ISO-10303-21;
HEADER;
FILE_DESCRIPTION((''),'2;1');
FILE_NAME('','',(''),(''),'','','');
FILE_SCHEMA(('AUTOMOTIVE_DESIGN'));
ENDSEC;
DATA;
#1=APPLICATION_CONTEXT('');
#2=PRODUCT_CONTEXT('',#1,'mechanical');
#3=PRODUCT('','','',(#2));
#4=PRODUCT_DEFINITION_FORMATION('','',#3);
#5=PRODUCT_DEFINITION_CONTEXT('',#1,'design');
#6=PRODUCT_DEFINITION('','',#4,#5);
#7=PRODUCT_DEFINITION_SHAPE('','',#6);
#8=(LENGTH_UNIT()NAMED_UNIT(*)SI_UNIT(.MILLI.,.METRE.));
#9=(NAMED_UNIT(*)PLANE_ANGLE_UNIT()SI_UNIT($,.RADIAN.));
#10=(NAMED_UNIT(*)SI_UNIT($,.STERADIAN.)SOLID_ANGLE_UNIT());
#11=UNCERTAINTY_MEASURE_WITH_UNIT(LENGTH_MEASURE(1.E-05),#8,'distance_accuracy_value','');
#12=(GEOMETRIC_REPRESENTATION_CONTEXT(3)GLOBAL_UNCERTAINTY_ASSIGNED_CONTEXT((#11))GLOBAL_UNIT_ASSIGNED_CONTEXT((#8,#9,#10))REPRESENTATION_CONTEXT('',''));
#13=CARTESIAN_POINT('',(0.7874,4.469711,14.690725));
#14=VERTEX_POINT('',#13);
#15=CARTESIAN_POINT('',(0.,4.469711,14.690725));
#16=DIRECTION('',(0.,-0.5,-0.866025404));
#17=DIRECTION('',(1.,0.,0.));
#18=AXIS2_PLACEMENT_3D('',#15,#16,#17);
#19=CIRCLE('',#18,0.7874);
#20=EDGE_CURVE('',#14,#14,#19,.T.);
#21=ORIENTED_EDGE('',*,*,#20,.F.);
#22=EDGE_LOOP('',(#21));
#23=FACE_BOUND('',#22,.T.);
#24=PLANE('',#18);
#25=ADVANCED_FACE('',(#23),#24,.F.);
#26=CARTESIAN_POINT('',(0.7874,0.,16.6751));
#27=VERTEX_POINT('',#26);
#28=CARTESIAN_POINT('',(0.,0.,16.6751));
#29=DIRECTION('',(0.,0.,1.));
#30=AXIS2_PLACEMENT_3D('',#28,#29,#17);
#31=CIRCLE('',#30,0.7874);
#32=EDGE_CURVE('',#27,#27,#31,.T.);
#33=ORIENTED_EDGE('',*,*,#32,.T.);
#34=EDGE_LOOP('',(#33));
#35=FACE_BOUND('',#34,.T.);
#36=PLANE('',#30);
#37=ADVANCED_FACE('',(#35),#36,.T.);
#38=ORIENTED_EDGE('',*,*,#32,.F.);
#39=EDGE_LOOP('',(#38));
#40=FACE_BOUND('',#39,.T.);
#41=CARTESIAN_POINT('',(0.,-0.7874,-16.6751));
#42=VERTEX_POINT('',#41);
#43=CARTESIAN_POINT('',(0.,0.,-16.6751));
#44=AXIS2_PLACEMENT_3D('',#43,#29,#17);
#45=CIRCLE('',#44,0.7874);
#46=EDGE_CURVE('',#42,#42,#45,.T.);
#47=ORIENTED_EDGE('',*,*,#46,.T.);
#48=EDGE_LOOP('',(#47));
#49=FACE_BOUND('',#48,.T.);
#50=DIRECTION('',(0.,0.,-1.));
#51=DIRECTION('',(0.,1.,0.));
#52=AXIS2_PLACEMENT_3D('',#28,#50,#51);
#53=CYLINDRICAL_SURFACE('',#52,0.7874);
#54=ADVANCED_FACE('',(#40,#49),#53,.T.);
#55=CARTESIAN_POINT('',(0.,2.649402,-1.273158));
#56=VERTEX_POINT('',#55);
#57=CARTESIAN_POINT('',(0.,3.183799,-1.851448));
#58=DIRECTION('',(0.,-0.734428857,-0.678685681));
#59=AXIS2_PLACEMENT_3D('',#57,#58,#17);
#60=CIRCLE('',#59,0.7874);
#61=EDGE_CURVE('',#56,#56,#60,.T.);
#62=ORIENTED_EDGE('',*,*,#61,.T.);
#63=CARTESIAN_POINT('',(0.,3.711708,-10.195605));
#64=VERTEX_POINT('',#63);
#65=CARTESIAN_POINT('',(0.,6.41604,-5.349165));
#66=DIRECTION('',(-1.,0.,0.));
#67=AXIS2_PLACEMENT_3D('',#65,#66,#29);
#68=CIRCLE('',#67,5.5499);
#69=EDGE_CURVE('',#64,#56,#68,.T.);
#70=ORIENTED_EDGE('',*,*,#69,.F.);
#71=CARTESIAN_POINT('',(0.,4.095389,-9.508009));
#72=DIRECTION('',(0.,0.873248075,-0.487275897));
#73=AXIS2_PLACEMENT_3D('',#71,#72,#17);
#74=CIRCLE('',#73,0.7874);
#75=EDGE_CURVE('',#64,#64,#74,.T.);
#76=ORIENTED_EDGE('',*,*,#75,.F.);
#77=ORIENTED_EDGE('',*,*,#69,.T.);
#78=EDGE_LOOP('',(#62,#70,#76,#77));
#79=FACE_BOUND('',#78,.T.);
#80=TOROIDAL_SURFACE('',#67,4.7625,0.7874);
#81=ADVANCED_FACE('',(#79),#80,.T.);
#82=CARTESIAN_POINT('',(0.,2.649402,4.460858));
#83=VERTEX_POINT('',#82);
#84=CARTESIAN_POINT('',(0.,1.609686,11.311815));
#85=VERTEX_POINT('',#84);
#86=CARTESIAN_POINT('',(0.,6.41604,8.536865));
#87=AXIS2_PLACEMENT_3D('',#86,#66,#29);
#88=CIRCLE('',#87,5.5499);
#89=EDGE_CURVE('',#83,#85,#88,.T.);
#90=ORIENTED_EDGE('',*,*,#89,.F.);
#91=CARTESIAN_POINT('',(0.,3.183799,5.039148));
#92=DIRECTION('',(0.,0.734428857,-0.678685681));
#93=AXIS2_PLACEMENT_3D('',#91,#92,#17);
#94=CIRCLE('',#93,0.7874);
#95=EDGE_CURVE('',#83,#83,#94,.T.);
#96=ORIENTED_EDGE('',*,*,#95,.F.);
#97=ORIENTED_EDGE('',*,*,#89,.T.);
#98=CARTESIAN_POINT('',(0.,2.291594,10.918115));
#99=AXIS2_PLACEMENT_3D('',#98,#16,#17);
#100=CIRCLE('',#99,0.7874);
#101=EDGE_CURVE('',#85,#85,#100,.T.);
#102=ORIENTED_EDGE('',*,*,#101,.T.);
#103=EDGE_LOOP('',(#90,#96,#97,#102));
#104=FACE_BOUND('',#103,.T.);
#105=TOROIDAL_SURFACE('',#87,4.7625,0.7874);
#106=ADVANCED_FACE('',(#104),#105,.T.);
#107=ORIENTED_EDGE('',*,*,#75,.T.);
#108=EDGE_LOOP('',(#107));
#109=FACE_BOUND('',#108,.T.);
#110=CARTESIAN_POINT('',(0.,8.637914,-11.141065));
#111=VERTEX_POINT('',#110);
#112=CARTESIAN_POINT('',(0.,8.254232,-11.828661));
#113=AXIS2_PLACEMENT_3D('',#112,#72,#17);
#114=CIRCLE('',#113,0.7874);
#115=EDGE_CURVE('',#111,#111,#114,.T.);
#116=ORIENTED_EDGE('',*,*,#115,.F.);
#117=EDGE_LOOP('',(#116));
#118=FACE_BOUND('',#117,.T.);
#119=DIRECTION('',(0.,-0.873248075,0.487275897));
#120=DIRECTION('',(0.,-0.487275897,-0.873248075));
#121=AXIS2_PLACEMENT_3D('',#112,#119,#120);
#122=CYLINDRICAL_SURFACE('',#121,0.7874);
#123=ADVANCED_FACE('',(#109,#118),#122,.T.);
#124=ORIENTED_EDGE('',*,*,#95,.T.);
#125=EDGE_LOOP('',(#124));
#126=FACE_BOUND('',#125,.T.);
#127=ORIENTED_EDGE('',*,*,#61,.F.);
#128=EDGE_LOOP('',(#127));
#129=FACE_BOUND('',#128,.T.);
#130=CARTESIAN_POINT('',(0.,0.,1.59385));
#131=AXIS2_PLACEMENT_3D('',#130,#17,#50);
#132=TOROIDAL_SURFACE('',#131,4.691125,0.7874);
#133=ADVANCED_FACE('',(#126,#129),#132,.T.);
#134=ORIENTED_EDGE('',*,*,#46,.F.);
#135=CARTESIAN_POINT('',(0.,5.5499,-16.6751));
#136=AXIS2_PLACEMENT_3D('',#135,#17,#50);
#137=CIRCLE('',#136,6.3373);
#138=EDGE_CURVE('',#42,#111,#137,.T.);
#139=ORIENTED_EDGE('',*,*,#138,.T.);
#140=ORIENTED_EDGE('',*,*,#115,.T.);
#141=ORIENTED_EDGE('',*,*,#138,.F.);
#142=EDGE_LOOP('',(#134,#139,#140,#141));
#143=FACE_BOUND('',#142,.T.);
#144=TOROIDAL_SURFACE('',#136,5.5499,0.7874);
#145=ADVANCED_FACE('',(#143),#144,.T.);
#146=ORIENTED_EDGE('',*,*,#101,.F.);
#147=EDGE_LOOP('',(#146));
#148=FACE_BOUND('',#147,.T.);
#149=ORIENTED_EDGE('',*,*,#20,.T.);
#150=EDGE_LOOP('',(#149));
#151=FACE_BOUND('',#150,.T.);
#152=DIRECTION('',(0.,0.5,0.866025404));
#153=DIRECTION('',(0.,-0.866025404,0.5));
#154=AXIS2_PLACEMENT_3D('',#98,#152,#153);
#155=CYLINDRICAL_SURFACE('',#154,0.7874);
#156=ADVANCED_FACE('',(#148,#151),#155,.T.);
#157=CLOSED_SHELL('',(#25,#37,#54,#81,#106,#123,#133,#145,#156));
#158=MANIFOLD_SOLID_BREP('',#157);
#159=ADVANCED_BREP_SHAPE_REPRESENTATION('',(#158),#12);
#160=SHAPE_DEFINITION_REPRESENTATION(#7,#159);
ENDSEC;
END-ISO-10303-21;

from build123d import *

# Parameters (mm, degrees)
SKETCH2_R = 0.7874


with BuildPart() as part:
    # Sweep1: sweep along a path in Sketch3
    with BuildLine(Plane(origin=(0, 0, 0), x_dir=(0, 0, -1), z_dir=(1, 0, 0))) as sweep1_path:
        Line((-14.690725, 4.46971136), (-10.918115093, 2.291594014))
        ThreePointArc((-10.918115093, 2.291594014), (-7.822279539, 1.70745489), (-5.03914766, 3.183799445))
        ThreePointArc((-5.03914766, 3.183799445), (-1.59385, 4.691125118), (1.85144766, 3.183799445))
        ThreePointArc((1.85144766, 3.183799445), (5.912211042, 1.686940138), (9.508009051, 4.095388542))
        Line((9.508009051, 4.095388542), (11.828660509, 8.254232499))
        ThreePointArc((11.828660509, 8.254232499), (21.461025456, 8.359936928), (16.6751, 0))
        Line((16.6751, 0), (-16.6751, 0))
    # Sketch2 → Sweep1 (sweep)
    with BuildSketch(Plane.XY.offset(16.6751)):
        Circle(SKETCH2_R)
    sweep(path=sweep1_path.line)


solid = part.part
